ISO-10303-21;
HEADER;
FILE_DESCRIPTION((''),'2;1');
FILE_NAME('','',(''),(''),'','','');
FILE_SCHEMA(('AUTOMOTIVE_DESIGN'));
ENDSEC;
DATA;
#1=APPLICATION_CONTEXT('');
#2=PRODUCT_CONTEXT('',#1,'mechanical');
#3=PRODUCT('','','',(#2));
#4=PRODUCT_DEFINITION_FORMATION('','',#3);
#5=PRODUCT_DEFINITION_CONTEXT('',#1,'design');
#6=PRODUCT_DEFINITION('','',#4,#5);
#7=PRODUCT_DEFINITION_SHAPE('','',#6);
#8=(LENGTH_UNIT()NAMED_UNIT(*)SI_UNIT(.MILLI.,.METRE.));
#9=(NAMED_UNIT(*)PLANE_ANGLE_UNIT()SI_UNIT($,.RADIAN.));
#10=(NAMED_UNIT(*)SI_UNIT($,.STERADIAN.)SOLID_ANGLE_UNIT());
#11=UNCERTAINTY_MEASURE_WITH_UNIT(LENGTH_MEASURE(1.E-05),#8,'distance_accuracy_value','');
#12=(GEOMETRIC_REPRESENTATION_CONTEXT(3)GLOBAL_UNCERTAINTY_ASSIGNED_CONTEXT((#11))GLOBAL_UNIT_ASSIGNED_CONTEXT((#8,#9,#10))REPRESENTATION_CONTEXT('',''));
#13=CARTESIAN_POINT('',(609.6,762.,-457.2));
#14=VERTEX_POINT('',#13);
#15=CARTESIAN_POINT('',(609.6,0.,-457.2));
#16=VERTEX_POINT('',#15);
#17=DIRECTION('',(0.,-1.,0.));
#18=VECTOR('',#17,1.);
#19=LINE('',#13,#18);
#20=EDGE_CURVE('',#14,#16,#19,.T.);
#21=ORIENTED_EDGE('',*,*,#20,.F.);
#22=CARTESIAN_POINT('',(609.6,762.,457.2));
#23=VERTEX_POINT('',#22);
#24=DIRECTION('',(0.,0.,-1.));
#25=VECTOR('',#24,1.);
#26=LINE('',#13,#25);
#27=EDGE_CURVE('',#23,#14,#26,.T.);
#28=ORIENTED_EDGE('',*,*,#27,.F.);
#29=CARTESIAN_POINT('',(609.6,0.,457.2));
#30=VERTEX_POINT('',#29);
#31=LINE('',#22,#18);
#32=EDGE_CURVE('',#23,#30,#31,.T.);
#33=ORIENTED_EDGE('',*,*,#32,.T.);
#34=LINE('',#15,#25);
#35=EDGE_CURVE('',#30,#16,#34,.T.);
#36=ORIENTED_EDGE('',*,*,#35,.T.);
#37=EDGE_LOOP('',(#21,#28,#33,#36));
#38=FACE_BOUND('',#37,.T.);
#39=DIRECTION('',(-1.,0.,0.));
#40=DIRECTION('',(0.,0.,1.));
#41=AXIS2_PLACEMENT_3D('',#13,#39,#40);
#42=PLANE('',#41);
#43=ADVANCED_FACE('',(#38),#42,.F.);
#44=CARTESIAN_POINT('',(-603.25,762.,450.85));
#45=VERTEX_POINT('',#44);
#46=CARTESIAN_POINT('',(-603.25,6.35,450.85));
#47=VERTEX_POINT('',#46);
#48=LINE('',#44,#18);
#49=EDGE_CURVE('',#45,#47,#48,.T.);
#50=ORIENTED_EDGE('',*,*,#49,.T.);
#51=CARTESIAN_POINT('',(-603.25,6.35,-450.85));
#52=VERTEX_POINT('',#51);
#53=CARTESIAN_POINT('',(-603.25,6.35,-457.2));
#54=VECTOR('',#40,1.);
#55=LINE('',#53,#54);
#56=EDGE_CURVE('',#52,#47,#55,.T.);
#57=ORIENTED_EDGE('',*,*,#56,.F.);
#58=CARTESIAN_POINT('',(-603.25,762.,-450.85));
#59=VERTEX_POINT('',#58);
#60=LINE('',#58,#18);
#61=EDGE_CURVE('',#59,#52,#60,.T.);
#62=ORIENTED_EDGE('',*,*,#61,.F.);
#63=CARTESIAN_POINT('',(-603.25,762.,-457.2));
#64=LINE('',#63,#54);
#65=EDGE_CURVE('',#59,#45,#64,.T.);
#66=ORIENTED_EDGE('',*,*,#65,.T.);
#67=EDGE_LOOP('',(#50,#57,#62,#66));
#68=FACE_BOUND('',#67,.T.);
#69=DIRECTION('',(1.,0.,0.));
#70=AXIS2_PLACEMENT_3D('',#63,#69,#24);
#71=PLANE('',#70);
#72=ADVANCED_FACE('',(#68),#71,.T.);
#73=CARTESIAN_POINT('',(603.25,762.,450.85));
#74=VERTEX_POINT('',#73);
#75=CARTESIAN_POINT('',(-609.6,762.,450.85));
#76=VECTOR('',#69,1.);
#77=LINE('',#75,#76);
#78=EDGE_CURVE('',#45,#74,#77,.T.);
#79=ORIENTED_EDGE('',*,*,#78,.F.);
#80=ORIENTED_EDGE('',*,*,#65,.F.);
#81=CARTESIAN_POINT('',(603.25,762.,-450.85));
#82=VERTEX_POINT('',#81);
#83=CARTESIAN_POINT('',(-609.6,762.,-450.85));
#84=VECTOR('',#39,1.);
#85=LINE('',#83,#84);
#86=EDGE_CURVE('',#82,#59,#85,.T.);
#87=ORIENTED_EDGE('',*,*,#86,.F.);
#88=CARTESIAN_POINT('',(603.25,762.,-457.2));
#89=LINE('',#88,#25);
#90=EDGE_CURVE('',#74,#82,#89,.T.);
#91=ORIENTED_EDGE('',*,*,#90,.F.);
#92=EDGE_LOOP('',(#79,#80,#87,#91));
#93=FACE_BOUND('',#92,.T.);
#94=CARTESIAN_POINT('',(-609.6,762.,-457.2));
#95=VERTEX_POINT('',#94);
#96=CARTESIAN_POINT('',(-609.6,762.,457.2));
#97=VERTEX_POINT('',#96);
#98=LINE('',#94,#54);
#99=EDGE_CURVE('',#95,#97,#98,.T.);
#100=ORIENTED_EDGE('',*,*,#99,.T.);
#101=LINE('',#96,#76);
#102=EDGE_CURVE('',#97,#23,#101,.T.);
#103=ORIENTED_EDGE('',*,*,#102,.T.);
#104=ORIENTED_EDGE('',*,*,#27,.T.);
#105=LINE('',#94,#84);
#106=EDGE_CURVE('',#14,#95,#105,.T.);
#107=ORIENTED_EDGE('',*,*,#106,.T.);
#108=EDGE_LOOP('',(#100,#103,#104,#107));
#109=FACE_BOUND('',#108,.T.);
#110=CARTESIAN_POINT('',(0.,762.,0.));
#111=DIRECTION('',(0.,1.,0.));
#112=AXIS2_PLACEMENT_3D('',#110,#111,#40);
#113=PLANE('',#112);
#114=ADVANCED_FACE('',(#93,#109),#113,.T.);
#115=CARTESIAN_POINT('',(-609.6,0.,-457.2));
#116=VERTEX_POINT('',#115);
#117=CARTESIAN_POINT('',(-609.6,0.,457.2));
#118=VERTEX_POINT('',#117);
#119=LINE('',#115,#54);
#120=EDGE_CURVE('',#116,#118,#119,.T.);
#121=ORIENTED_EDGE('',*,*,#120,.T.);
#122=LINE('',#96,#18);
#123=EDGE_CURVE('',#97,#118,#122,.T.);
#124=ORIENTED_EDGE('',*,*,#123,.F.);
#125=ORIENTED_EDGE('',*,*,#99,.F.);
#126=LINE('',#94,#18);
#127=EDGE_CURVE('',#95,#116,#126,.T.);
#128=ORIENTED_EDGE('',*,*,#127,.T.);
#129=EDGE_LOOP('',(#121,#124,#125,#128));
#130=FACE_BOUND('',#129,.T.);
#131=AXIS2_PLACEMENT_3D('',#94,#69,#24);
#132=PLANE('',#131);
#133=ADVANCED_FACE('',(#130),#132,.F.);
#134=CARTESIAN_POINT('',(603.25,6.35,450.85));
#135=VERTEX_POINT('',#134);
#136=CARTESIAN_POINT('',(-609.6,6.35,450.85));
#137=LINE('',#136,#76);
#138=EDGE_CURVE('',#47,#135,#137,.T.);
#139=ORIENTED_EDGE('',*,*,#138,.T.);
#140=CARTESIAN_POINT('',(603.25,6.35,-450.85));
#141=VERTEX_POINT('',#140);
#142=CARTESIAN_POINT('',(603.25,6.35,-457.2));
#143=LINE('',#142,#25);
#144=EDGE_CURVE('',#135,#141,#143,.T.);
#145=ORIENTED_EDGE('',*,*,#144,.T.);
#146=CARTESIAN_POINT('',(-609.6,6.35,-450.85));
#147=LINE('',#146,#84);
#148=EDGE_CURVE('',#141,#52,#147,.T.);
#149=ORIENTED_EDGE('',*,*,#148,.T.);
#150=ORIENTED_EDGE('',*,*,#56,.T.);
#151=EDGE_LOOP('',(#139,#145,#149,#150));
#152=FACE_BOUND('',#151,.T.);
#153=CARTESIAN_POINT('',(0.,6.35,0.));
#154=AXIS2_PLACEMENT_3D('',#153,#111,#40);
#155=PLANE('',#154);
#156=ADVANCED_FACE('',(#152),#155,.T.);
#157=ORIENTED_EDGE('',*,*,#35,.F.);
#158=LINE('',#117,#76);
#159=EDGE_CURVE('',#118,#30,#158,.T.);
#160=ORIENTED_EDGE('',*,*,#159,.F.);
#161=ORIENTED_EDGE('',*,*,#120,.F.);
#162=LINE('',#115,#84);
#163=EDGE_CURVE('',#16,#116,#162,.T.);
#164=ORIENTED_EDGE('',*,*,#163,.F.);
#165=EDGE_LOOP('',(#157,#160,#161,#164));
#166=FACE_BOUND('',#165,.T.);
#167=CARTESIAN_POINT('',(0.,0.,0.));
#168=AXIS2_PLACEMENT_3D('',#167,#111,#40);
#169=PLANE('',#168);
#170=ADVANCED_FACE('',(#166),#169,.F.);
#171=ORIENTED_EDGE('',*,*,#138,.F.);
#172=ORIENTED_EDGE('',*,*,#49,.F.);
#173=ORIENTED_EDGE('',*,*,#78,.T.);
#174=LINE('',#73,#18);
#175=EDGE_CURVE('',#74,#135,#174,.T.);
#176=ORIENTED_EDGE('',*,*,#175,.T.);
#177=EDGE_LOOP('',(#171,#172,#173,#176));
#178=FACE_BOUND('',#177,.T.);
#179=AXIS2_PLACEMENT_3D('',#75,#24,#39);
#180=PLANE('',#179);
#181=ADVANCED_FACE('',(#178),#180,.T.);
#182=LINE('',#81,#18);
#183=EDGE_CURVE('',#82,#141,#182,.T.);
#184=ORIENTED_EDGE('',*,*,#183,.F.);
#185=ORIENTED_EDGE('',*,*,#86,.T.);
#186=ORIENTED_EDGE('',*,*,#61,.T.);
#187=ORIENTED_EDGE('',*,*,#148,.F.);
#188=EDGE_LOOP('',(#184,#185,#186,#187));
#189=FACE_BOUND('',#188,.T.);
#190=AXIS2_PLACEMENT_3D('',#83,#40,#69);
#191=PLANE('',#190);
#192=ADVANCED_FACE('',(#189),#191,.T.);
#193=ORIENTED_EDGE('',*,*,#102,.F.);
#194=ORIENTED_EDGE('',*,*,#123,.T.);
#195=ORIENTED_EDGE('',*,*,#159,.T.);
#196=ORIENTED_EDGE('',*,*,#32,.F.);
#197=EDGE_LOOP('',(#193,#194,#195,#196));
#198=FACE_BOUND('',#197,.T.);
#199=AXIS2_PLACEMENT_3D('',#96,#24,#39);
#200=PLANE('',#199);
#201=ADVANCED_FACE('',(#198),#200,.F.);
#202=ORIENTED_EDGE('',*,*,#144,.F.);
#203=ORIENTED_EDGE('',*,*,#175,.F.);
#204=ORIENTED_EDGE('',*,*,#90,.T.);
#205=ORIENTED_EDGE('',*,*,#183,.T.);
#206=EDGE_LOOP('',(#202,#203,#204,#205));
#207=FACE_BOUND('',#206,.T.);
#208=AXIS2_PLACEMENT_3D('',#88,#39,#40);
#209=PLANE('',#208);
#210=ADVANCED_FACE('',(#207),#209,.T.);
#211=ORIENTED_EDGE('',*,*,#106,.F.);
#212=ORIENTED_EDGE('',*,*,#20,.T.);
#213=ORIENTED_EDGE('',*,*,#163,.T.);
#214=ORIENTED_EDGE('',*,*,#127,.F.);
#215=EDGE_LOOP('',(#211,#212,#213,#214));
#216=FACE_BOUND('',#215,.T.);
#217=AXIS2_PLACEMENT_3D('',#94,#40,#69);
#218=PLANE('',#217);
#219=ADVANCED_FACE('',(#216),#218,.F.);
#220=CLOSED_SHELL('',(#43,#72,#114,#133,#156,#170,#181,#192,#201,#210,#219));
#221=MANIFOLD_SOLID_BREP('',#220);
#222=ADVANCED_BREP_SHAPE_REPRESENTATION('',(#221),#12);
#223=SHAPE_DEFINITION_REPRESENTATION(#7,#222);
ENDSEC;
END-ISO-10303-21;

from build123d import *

# Parameters (mm, degrees)
SKETCH1_W           = 1219.2
SKETCH1_H           = 914.4
BOSS_EXTRUDE1_DEPTH = 762
SHELL1_T            = -6.35


with BuildPart() as part:
    # Sketch1 → Boss-Extrude1 (new body)
    with BuildSketch(Plane(origin=(0, 0, 0), x_dir=(1, 0, 0), z_dir=(0, 1, 0))):
        Rectangle(SKETCH1_W, SKETCH1_H)
    extrude(amount=BOSS_EXTRUDE1_DEPTH)

    # Shell1
    shell1_openings = [part.faces().sort_by_distance(p)[0] for p in [
        (0, 762, 0),
    ]]
    offset(amount=SHELL1_T, openings=shell1_openings, kind=Kind.INTERSECTION)


solid = part.part
